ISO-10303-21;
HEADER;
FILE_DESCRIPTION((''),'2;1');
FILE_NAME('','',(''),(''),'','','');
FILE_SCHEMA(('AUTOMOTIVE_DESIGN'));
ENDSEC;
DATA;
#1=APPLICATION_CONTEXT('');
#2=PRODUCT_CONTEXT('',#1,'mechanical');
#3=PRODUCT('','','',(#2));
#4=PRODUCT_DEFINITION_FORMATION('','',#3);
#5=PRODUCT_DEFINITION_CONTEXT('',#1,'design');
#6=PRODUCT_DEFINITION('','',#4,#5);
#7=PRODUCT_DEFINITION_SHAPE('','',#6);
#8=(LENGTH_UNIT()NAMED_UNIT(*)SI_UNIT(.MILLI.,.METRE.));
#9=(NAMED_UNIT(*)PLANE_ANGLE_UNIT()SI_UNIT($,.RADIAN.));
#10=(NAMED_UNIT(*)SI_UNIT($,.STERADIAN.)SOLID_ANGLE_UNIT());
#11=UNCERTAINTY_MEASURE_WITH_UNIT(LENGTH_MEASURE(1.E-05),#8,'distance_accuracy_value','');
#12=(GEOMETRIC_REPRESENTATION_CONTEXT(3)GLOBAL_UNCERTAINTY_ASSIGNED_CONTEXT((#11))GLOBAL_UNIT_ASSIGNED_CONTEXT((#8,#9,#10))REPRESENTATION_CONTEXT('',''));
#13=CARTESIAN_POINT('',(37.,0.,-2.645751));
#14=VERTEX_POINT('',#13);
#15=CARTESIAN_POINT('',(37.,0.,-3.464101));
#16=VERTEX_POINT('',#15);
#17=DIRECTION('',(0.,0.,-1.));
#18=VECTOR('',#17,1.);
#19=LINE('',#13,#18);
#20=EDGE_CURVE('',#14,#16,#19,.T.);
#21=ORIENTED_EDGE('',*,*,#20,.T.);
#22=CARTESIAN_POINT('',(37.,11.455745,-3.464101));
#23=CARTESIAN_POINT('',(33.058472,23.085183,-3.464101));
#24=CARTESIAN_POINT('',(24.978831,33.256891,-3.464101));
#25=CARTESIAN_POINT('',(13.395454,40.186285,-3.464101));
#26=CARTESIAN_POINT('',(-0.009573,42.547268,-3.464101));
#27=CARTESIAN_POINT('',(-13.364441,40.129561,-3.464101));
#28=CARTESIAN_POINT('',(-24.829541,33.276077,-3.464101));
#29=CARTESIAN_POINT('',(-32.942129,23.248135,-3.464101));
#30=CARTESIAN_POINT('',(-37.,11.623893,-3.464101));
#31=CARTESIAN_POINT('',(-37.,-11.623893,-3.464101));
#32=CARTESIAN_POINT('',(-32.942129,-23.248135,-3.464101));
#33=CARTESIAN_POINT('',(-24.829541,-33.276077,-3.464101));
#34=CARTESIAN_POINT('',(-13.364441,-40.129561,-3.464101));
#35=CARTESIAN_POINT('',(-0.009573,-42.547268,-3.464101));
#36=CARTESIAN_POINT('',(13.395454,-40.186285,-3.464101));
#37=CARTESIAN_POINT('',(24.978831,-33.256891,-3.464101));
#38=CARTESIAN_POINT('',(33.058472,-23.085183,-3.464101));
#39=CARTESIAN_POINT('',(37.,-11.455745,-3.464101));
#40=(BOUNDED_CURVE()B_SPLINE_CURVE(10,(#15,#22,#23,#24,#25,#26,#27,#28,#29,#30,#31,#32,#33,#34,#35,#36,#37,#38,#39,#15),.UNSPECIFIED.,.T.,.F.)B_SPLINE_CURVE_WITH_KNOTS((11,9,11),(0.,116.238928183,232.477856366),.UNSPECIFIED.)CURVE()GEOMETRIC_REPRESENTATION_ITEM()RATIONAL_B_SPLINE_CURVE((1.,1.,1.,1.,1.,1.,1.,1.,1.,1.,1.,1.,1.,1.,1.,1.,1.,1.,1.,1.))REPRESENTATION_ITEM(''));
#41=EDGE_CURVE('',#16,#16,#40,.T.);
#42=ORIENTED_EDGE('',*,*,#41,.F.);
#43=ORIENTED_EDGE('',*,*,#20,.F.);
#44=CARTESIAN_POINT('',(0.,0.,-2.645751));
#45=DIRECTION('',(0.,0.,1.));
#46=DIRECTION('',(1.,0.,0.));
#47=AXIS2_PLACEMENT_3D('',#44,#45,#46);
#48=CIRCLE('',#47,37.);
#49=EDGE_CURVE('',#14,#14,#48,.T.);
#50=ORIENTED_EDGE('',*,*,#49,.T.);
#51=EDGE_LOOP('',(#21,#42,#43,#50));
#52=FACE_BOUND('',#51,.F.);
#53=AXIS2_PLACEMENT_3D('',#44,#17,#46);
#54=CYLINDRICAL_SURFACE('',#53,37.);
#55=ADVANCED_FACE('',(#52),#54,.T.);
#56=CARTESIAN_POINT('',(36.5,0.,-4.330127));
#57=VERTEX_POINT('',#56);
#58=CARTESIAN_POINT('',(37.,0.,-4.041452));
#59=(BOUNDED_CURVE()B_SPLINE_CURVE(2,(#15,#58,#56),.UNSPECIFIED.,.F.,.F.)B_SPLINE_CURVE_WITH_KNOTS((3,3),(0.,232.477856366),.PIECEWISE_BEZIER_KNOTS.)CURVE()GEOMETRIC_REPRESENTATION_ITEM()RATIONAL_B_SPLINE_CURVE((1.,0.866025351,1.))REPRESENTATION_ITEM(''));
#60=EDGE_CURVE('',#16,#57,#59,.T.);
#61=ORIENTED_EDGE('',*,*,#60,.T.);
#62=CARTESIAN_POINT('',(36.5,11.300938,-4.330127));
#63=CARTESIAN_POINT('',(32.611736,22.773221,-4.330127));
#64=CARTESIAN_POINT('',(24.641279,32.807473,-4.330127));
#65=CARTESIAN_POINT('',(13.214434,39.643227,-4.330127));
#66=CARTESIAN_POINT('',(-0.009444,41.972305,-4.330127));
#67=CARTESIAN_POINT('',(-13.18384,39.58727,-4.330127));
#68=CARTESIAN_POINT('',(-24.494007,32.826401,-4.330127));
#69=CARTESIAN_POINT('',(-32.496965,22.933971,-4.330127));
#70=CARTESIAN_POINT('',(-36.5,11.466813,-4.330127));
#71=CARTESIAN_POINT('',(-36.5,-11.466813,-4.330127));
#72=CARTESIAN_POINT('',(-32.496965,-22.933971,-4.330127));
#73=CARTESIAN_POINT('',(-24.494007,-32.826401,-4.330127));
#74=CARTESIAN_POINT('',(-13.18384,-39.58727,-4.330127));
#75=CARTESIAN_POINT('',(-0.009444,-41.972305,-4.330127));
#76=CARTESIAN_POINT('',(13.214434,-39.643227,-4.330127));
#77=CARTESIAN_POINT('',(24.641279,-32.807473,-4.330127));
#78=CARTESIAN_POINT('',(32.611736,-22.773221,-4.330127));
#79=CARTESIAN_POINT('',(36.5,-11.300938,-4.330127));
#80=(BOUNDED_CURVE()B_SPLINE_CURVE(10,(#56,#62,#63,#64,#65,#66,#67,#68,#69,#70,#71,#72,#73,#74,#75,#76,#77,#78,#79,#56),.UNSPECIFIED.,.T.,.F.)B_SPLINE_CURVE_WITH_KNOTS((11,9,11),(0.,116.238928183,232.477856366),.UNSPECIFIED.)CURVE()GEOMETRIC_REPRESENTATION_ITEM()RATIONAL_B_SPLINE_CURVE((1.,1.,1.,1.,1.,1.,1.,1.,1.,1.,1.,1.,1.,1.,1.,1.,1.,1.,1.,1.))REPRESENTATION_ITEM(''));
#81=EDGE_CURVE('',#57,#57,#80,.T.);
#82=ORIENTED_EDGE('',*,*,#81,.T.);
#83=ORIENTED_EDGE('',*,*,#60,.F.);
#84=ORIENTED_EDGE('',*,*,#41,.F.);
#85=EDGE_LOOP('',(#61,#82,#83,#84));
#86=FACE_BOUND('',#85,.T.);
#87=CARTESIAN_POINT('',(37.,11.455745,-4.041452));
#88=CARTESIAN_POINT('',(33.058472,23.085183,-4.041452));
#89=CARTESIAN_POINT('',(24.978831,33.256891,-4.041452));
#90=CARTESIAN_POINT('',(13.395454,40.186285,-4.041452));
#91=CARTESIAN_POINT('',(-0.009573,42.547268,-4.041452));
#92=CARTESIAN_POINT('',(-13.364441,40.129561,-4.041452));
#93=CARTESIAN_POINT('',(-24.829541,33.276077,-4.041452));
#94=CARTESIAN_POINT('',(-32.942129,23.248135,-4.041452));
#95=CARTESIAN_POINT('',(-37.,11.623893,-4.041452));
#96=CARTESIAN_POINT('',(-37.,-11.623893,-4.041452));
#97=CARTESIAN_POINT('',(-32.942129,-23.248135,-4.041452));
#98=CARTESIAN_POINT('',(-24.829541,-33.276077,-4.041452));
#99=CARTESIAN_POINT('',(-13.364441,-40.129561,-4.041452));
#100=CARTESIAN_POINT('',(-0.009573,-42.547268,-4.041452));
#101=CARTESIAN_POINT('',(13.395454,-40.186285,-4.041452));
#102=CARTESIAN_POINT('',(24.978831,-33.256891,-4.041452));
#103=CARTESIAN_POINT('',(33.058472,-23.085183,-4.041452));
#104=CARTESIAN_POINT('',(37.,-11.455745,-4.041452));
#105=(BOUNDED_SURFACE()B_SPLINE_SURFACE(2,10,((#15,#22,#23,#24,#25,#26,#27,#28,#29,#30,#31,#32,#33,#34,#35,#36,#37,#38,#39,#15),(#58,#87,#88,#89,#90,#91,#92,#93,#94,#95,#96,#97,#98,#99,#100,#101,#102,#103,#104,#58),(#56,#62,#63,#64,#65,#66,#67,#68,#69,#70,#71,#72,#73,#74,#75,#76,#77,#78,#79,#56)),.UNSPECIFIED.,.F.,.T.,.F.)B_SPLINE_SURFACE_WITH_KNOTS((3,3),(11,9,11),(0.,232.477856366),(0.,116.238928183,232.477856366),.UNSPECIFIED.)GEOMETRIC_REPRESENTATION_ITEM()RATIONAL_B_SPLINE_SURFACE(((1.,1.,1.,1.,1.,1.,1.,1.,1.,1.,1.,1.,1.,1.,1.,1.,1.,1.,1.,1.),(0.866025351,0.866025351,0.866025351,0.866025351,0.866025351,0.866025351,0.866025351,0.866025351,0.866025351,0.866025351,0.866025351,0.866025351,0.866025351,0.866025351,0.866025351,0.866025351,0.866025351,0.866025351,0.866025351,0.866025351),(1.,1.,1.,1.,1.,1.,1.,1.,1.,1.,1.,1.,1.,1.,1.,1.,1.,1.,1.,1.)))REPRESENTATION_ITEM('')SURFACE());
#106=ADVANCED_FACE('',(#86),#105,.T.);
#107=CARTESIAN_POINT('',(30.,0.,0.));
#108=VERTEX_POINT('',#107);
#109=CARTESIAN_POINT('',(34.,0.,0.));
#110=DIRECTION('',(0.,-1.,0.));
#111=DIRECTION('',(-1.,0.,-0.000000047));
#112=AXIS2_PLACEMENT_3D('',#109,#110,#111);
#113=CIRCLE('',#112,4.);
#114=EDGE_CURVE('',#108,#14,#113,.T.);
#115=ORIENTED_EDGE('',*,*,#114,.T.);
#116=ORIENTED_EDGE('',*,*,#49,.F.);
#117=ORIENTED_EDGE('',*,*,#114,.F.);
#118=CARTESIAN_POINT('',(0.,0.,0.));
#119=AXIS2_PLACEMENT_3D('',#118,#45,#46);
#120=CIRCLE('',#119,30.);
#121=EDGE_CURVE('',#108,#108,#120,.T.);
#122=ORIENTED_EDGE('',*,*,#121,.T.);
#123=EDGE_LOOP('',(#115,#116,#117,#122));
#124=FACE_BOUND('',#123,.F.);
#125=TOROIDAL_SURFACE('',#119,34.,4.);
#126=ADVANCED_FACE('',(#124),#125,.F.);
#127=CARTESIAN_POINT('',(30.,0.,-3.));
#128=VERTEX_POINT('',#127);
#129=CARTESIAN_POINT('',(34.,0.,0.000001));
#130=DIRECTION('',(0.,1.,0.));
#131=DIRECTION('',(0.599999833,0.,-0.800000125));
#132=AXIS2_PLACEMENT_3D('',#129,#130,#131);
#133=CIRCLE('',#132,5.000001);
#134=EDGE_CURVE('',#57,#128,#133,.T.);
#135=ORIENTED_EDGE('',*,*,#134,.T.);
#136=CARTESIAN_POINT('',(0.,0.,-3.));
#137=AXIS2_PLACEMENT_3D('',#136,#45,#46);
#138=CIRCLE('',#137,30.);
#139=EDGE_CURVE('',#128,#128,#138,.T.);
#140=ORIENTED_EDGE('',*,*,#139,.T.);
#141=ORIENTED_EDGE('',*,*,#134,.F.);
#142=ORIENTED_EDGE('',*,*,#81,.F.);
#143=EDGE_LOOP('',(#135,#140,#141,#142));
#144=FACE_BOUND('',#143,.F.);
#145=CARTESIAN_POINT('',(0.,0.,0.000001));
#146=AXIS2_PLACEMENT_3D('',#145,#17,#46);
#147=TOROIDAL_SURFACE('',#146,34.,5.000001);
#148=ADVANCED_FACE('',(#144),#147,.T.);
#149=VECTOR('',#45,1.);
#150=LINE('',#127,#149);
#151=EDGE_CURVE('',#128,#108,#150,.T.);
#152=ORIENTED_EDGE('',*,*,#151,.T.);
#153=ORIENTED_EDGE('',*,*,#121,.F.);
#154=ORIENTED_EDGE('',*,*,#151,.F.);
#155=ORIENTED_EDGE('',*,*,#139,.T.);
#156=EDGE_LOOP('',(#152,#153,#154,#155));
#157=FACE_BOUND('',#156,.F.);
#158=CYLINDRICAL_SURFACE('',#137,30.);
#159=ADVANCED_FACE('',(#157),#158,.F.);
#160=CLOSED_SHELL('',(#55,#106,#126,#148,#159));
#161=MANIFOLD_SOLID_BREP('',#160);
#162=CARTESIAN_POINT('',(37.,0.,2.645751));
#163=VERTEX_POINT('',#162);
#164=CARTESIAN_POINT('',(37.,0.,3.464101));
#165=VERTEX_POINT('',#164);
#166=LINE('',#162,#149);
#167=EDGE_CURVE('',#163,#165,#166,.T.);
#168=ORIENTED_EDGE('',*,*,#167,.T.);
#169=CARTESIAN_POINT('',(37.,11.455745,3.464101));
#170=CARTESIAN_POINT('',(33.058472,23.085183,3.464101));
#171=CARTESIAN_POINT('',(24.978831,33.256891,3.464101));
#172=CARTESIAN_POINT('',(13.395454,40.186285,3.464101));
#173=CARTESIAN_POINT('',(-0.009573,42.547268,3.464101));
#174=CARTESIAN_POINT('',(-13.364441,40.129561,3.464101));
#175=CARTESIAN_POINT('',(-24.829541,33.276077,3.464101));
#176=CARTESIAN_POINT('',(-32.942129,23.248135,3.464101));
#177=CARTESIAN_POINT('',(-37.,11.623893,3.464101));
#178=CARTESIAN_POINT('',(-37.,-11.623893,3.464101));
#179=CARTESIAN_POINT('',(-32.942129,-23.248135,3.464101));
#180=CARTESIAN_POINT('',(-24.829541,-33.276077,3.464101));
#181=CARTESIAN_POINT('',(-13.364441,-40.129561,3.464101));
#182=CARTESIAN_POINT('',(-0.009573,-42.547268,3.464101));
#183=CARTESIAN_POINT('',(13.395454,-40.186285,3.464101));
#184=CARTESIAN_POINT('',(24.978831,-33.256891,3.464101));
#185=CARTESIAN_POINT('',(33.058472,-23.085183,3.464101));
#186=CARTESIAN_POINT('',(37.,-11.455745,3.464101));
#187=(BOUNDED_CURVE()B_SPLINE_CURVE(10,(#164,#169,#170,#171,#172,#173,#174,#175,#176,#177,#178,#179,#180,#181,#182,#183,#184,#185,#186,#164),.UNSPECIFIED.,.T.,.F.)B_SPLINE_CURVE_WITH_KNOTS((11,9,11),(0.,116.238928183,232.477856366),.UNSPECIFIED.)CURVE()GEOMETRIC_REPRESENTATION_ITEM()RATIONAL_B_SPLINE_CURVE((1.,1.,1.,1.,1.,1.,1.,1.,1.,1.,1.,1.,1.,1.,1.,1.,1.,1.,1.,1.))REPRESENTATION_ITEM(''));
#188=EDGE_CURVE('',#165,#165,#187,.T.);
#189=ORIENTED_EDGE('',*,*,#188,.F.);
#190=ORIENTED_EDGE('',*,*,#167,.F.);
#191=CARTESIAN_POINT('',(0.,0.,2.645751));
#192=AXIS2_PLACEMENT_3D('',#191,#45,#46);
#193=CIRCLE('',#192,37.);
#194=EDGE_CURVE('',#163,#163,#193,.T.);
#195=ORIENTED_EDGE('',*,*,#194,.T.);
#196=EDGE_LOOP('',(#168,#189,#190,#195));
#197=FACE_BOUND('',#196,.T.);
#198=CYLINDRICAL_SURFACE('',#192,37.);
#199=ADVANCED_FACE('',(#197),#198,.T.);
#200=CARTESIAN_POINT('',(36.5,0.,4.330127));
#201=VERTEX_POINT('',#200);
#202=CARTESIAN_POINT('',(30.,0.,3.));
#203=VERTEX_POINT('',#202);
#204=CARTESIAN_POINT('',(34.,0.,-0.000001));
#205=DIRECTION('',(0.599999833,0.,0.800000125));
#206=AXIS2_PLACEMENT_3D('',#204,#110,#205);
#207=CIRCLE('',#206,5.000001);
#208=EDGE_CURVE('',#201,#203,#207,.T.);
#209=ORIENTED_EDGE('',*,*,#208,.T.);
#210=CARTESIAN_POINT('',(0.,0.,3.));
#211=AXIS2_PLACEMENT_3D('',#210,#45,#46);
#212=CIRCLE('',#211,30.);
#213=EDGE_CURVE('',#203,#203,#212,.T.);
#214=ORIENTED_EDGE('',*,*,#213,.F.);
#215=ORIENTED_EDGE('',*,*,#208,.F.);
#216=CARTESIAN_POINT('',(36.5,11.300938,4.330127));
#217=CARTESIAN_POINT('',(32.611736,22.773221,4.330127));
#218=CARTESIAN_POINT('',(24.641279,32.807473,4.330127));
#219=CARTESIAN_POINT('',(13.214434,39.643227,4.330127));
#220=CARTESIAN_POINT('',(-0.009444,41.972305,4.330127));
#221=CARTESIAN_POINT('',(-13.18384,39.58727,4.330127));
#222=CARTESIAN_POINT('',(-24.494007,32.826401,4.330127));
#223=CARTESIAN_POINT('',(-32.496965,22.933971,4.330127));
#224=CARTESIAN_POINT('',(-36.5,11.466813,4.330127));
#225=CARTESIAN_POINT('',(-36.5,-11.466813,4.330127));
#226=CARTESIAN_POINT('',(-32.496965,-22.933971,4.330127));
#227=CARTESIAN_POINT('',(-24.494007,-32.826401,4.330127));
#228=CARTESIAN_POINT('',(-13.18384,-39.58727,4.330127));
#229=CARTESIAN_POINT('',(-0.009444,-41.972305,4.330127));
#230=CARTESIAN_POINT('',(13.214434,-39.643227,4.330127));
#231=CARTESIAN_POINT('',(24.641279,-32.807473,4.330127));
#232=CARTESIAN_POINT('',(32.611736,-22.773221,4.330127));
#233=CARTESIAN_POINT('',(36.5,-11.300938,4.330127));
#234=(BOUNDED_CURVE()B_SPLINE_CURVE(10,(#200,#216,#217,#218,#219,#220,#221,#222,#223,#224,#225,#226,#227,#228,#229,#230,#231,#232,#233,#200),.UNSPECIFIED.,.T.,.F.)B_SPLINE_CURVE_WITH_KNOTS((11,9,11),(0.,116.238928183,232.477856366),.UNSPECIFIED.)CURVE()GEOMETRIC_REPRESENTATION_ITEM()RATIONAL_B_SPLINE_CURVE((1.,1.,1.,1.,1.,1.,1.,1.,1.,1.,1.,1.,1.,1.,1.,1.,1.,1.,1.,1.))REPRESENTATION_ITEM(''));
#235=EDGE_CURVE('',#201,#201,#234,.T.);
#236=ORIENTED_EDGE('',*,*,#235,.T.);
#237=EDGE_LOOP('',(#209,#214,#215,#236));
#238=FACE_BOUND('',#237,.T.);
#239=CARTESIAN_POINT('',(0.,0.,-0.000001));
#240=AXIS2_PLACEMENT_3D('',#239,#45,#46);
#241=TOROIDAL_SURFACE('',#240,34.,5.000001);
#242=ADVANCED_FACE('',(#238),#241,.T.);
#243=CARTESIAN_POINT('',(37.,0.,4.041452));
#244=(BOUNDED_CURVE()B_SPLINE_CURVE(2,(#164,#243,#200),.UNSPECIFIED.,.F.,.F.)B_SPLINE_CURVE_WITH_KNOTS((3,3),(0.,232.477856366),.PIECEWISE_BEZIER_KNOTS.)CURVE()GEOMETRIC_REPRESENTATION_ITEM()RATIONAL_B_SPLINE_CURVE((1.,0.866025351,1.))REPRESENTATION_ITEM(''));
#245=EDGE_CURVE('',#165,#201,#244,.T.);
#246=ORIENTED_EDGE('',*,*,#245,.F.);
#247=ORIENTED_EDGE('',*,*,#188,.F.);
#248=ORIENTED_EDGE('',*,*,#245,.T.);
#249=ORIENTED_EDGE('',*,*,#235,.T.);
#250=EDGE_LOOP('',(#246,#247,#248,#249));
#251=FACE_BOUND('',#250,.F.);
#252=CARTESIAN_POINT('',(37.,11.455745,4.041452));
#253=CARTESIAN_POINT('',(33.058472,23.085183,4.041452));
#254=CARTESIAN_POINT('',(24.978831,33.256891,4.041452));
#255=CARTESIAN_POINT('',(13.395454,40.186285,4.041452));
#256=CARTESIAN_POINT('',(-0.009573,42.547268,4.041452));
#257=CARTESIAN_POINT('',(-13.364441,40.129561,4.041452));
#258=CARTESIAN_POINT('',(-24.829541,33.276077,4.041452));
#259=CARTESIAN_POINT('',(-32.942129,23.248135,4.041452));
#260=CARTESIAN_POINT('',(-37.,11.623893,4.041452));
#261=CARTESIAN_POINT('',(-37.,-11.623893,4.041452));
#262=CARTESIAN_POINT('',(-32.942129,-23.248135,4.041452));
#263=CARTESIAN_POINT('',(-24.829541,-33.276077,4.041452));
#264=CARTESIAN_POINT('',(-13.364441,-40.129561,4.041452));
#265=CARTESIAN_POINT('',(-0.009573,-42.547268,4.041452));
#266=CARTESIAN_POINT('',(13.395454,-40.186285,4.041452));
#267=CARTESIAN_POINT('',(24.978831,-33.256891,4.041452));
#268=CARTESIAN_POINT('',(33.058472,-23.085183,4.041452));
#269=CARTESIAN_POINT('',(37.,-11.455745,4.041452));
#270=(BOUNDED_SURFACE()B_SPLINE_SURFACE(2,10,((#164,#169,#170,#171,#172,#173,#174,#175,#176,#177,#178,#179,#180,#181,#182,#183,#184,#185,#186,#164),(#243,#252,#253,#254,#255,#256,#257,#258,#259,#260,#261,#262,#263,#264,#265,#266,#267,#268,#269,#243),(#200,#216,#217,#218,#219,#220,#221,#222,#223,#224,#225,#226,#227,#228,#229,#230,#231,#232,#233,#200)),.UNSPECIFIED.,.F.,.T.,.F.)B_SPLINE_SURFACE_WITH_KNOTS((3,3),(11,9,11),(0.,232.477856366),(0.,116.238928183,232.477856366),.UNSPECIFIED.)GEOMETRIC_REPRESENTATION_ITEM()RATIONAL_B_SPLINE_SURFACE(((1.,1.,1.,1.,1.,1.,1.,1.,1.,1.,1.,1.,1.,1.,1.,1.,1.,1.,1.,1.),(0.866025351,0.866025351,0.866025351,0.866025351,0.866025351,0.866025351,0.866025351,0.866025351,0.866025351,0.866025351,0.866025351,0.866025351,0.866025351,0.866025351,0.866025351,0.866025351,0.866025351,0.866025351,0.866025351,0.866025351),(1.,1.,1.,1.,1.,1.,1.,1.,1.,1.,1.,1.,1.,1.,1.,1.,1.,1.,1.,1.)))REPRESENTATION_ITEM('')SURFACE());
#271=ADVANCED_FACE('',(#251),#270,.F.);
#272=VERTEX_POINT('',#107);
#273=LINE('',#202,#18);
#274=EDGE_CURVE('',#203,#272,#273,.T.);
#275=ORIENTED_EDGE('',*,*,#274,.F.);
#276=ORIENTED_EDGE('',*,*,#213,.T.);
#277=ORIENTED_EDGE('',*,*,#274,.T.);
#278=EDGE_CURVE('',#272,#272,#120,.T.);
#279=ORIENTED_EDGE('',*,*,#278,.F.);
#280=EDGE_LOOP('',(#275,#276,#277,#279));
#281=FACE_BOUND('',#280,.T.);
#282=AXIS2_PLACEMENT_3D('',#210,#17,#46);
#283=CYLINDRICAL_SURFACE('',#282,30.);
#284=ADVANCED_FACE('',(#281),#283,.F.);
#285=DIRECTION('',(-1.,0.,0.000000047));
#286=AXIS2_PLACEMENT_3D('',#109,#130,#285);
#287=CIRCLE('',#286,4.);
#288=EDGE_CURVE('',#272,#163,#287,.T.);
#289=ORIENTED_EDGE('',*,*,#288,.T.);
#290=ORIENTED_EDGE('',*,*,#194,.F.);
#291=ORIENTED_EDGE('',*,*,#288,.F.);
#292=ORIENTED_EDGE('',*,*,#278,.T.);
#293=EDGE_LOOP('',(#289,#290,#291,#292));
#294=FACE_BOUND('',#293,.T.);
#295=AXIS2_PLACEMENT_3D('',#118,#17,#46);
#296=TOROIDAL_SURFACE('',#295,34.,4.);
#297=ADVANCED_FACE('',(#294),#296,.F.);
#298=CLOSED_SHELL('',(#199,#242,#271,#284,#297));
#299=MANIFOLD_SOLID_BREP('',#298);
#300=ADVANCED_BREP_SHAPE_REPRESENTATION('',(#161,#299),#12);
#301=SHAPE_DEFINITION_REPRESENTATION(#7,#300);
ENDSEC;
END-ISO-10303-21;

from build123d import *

# Parameters (mm, degrees)
F3_R = 1


with BuildPart() as f1:
    # F0 (on Front) → F1 (revolve)
    with BuildSketch(Plane.XZ):
        with BuildLine():
            Line((30, 3), (30, 0))
            ThreePointArc((30, 0), (32.585786, 3.741657), (37, 2.645751))
            Line((37, 2.645751), (37, 4))
            ThreePointArc((37, 4), (33.292893, 4.949747), (30, 3))
        make_face()
    revolve(axis=Axis((0, 0, 6.898838), (0, 0, 1)))

    # F3
    f3_edges = [f1.edges().sort_by_distance(p)[0] for p in [
        (-37, 0, 4),
    ]]
    fillet(f3_edges, radius=F3_R)


with BuildPart() as f2_1:
    # F2: instance of F1
    add(f1.part.mirror(Plane.XY))


solid = Compound([f1.part, f2_1.part])
